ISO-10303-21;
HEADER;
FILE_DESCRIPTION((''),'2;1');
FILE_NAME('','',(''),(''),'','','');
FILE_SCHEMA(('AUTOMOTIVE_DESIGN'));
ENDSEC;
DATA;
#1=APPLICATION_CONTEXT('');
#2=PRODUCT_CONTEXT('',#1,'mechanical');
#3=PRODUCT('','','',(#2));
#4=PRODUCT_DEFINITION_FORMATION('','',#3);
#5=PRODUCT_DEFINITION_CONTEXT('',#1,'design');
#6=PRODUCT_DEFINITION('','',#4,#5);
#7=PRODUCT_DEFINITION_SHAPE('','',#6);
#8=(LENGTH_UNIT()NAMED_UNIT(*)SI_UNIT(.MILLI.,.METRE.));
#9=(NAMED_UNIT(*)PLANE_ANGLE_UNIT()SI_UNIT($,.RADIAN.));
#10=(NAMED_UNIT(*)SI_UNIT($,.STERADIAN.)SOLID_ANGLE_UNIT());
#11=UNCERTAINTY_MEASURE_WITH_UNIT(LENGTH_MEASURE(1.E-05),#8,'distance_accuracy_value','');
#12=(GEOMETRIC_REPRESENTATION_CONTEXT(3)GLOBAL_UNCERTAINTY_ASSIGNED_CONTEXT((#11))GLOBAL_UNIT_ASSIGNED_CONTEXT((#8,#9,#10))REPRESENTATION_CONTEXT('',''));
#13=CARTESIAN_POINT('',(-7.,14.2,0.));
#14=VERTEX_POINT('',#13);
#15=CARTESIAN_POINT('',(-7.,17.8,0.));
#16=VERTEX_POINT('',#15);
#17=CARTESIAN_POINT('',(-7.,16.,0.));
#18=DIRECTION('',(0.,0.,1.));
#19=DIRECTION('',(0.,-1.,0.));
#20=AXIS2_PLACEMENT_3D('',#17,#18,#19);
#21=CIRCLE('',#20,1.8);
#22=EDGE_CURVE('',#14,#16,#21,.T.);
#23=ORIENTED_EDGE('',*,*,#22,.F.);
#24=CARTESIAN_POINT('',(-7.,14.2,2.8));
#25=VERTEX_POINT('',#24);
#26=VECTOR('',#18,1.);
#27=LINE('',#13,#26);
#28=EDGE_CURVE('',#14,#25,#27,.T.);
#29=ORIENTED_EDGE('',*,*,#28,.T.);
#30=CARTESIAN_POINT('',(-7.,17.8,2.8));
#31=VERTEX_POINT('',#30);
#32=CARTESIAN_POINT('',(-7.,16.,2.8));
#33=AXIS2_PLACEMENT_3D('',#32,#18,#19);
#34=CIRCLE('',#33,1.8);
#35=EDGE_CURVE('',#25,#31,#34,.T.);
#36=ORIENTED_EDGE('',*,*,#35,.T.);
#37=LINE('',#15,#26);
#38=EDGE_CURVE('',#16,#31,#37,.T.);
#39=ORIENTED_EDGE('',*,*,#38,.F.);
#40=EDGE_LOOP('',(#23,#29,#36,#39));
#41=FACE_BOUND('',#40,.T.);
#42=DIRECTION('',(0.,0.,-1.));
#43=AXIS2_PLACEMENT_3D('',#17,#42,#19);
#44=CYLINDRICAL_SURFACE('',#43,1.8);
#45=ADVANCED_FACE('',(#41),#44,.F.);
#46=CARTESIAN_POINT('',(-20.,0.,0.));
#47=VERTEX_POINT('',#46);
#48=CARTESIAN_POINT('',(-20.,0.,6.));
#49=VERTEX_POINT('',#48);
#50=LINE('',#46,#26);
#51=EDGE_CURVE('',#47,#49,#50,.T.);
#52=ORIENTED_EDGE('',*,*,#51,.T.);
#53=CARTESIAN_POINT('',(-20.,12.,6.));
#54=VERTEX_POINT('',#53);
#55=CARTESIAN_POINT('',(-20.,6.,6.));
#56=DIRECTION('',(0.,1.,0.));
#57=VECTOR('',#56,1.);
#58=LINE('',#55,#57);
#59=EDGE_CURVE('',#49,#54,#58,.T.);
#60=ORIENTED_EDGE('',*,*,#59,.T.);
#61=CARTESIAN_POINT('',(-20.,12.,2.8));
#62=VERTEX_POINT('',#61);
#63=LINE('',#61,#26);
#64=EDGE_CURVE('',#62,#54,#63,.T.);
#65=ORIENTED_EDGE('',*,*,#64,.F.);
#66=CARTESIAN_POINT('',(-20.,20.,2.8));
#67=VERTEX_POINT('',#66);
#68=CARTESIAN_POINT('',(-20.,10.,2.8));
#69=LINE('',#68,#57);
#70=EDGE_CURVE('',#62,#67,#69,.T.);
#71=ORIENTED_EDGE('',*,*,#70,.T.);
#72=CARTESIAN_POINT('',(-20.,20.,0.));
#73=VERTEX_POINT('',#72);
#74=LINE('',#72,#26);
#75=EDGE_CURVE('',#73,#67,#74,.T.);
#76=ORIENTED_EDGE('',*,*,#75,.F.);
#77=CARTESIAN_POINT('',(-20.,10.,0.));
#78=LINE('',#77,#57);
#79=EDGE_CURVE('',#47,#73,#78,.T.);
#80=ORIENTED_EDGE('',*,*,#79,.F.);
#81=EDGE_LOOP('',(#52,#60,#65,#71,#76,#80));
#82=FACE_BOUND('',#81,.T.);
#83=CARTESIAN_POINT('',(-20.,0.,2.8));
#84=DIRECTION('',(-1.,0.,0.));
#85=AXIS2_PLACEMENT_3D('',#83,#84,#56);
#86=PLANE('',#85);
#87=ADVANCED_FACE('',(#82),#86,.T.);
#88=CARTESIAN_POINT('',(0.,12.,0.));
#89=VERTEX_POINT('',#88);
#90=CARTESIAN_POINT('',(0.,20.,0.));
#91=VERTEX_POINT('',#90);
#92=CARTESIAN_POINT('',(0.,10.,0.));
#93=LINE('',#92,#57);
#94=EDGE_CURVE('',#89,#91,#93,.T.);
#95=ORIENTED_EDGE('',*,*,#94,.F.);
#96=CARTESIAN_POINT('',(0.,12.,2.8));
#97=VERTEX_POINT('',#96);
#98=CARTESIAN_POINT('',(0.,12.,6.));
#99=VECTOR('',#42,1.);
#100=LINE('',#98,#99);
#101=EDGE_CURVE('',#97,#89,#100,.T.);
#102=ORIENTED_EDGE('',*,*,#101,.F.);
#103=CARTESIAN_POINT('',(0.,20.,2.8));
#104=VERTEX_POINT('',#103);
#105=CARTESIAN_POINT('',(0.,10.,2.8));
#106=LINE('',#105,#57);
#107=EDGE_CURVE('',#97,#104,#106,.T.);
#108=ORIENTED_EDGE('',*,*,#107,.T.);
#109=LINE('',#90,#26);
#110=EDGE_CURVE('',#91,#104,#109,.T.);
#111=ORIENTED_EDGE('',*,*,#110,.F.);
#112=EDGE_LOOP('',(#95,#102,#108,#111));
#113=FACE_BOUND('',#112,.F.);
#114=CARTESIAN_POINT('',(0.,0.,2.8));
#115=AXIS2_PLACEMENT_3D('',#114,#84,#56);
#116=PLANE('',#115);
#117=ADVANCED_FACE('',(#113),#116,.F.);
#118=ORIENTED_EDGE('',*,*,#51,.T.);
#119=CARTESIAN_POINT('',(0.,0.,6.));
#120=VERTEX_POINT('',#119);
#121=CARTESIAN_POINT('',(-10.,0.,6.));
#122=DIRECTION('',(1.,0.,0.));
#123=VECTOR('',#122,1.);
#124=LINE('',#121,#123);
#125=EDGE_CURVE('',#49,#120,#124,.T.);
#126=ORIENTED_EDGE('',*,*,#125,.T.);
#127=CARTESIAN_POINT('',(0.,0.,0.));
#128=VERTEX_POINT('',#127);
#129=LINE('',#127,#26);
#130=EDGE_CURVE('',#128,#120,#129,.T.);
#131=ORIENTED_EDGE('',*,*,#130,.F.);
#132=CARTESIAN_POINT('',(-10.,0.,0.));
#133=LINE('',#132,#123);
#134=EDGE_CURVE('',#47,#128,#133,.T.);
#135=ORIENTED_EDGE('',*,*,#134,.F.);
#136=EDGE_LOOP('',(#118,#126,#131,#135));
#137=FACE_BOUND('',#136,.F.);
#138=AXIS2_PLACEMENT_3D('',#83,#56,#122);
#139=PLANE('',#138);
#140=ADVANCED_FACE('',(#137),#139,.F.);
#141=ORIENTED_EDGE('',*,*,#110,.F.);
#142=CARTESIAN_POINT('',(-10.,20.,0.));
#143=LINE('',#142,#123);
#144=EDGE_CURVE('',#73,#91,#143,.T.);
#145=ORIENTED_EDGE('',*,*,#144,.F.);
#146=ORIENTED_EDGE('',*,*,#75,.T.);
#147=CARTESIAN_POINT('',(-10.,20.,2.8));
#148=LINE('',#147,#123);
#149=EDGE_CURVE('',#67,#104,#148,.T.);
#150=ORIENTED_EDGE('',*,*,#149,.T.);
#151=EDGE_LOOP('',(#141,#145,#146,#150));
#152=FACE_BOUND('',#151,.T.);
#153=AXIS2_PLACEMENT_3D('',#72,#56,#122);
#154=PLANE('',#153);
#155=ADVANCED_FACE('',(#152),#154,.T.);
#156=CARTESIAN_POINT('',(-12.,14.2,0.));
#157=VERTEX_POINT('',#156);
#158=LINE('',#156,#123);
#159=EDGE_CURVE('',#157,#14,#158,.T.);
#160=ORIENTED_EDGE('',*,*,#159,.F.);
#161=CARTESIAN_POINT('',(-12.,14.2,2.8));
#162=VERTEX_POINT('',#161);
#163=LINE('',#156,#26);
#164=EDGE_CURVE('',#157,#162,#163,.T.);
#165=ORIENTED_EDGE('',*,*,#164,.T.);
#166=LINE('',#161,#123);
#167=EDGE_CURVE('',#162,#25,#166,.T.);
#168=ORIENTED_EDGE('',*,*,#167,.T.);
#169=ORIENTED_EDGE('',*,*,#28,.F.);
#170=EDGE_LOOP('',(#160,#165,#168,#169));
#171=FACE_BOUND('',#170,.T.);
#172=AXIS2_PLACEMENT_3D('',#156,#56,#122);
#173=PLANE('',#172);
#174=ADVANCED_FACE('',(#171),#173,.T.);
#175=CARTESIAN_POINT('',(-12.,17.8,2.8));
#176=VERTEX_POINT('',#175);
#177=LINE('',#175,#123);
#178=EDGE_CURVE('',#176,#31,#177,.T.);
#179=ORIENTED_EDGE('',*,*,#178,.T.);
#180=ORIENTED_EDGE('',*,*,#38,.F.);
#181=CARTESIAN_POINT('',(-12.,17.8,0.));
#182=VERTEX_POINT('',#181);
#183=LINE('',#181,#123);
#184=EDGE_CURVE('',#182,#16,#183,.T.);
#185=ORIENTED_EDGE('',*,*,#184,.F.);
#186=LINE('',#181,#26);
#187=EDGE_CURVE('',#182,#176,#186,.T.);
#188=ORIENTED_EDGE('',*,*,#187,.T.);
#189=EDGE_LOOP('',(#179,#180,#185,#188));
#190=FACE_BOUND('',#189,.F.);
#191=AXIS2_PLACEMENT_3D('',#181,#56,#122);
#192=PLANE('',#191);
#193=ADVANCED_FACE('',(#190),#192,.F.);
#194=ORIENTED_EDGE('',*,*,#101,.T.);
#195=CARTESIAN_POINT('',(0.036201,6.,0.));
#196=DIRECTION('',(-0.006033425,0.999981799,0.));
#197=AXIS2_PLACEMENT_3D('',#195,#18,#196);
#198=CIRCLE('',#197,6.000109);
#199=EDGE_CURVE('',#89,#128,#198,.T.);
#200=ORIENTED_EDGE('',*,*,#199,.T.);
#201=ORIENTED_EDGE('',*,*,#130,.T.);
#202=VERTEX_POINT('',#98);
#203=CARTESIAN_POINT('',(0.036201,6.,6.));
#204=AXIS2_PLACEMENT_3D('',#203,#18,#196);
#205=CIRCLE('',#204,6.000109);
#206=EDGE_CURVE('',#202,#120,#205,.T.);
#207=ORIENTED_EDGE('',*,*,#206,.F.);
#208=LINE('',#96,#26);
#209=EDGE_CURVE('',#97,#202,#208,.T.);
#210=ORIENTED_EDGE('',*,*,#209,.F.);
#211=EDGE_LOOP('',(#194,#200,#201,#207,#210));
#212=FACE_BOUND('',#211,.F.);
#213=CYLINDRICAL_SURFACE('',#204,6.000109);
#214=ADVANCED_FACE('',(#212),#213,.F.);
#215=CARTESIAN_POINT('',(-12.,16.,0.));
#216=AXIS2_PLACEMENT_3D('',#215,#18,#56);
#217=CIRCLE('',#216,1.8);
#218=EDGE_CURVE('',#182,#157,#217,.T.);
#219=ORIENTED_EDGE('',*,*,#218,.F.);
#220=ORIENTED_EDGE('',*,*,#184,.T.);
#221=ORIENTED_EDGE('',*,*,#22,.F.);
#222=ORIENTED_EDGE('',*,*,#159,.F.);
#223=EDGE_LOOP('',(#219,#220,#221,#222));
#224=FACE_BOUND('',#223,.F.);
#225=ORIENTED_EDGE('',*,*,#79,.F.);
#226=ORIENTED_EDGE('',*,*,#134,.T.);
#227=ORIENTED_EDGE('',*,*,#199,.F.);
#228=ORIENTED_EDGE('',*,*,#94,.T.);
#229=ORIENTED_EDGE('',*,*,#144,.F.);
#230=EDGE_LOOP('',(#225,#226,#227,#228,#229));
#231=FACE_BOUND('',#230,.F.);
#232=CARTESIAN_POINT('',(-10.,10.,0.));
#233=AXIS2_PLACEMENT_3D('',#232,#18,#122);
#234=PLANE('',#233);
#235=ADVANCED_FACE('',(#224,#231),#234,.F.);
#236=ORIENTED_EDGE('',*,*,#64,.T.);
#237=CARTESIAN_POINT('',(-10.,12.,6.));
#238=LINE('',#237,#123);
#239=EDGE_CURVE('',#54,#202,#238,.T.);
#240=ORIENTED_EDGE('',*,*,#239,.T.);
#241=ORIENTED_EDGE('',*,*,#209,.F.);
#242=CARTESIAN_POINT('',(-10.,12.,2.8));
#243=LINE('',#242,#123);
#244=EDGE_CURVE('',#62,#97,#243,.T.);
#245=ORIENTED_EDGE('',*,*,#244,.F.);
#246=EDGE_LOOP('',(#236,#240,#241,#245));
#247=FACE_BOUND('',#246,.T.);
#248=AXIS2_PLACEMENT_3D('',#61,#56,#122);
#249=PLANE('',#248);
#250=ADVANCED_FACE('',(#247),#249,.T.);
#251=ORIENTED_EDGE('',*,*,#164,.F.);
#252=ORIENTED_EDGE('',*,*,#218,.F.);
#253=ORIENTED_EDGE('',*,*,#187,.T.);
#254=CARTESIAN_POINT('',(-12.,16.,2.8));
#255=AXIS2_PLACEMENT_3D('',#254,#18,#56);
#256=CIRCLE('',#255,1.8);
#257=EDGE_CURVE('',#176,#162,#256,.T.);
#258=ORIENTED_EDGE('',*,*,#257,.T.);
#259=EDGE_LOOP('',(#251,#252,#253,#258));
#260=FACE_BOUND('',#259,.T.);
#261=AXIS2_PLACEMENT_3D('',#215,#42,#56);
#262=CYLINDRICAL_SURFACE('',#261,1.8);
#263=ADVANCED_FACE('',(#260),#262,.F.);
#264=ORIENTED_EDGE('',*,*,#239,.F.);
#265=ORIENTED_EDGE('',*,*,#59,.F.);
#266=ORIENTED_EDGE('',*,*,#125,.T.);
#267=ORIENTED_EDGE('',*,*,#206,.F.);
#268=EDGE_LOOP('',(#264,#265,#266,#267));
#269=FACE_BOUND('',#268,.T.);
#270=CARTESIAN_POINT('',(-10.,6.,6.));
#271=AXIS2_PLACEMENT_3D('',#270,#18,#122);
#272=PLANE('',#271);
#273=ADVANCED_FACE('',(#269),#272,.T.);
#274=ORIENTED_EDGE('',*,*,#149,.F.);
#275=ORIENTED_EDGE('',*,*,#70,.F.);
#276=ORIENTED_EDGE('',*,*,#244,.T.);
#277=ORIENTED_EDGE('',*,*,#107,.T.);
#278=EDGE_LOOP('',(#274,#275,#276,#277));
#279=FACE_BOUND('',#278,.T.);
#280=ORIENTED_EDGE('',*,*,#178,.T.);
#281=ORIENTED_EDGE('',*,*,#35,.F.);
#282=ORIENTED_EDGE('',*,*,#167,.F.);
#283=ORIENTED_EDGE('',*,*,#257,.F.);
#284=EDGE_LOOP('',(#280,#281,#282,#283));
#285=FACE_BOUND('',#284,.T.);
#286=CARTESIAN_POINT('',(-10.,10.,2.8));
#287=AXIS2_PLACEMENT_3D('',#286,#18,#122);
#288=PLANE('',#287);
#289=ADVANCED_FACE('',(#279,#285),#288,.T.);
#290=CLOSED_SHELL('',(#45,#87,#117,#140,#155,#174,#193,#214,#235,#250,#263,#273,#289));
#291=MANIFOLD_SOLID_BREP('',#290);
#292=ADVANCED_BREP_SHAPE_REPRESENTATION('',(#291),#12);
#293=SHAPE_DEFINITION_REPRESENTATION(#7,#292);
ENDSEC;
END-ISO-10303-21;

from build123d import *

# Parameters (mm, degrees)
SKETCH_W     = 20
SKETCH_H     = 20
PAD_DEPTH    = 2.8
SKETCH003_W  = 20
SKETCH003_H  = 12
PAD001_DEPTH = 3.2
POCKET_DEPTH = 10


with BuildPart() as part:
    # Sketch → Pad (new body)
    with BuildSketch(Plane.XY):
        with Locations((-10, 10)):
            Rectangle(SKETCH_W, SKETCH_H)
        with BuildLine():
            ThreePointArc((-12, 17.8), (-13.8, 16), (-12, 14.2))
            Line((-12, 14.2), (-7, 14.2))
            ThreePointArc((-7, 14.2), (-5.2, 16), (-7, 17.8))
            Line((-12, 17.8), (-7, 17.8))
        make_face(mode=Mode.SUBTRACT)
    extrude(amount=PAD_DEPTH)

    # Sketch003 → Pad001 (new body)
    with BuildSketch(Plane.XY.offset(2.8)):
        with Locations((-10, 6)):
            Rectangle(SKETCH003_W, SKETCH003_H)
    extrude(amount=PAD001_DEPTH)

    # Sketch004 → Pocket (cut)
    with BuildSketch(Plane.XY.offset(6)):
        with BuildLine():
            Line((0, 12), (0, 0))
            ThreePointArc((0, 12), (-5.963908, 6), (0, 0))
        make_face()
    extrude(amount=-POCKET_DEPTH, mode=Mode.SUBTRACT)


solid = part.part
